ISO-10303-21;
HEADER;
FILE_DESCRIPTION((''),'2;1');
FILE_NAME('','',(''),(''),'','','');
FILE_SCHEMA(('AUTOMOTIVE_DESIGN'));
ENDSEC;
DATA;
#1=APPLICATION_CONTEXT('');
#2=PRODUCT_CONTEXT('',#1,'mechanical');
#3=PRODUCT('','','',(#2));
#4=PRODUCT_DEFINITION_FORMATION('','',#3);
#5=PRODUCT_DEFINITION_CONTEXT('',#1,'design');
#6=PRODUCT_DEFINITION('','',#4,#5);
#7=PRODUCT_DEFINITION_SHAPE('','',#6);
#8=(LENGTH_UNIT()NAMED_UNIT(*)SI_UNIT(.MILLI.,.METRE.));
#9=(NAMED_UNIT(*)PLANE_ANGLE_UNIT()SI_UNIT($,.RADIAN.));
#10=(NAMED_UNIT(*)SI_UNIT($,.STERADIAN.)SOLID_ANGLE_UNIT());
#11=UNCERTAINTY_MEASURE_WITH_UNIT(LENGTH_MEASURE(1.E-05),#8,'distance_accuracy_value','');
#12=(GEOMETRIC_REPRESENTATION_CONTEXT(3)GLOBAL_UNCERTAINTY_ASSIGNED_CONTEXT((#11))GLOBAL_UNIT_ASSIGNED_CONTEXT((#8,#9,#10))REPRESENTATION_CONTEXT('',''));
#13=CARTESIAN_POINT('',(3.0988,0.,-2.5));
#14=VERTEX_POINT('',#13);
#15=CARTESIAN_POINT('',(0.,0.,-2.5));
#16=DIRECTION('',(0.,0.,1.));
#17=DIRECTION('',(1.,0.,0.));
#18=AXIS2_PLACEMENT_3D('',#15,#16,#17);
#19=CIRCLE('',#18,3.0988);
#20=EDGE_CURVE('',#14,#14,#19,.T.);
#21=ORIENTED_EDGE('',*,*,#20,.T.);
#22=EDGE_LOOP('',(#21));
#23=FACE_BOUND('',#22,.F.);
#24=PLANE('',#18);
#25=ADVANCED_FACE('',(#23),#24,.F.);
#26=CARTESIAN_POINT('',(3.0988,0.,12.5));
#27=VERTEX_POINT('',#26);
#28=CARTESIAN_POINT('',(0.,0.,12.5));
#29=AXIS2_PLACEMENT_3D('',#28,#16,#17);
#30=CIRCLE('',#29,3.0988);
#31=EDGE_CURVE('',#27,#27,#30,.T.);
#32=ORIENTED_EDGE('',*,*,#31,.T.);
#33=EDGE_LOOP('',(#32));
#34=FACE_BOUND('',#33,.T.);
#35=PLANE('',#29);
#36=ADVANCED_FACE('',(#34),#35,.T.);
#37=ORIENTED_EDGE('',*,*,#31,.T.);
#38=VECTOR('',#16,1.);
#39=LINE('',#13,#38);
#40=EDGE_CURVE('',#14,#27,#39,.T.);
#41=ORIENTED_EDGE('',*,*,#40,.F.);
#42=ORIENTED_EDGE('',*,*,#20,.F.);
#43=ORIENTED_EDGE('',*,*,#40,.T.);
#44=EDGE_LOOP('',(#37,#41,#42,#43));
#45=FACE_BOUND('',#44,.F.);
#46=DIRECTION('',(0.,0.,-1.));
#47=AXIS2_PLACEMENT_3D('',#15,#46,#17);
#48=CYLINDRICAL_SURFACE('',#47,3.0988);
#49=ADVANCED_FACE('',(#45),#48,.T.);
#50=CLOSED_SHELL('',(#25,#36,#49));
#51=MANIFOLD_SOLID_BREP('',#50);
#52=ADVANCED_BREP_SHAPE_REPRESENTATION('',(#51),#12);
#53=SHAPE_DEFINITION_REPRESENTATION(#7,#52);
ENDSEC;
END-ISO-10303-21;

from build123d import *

# Parameters (mm, degrees)
CYLINDER_R     = 3.0988
CYLINDER_DEPTH = 15


with BuildPart() as part:
    # Cylinder → Cylinder (new body)
    with BuildSketch(Plane.XY.offset(-2.5)):
        Circle(CYLINDER_R)
    extrude(amount=CYLINDER_DEPTH)


solid = part.part
